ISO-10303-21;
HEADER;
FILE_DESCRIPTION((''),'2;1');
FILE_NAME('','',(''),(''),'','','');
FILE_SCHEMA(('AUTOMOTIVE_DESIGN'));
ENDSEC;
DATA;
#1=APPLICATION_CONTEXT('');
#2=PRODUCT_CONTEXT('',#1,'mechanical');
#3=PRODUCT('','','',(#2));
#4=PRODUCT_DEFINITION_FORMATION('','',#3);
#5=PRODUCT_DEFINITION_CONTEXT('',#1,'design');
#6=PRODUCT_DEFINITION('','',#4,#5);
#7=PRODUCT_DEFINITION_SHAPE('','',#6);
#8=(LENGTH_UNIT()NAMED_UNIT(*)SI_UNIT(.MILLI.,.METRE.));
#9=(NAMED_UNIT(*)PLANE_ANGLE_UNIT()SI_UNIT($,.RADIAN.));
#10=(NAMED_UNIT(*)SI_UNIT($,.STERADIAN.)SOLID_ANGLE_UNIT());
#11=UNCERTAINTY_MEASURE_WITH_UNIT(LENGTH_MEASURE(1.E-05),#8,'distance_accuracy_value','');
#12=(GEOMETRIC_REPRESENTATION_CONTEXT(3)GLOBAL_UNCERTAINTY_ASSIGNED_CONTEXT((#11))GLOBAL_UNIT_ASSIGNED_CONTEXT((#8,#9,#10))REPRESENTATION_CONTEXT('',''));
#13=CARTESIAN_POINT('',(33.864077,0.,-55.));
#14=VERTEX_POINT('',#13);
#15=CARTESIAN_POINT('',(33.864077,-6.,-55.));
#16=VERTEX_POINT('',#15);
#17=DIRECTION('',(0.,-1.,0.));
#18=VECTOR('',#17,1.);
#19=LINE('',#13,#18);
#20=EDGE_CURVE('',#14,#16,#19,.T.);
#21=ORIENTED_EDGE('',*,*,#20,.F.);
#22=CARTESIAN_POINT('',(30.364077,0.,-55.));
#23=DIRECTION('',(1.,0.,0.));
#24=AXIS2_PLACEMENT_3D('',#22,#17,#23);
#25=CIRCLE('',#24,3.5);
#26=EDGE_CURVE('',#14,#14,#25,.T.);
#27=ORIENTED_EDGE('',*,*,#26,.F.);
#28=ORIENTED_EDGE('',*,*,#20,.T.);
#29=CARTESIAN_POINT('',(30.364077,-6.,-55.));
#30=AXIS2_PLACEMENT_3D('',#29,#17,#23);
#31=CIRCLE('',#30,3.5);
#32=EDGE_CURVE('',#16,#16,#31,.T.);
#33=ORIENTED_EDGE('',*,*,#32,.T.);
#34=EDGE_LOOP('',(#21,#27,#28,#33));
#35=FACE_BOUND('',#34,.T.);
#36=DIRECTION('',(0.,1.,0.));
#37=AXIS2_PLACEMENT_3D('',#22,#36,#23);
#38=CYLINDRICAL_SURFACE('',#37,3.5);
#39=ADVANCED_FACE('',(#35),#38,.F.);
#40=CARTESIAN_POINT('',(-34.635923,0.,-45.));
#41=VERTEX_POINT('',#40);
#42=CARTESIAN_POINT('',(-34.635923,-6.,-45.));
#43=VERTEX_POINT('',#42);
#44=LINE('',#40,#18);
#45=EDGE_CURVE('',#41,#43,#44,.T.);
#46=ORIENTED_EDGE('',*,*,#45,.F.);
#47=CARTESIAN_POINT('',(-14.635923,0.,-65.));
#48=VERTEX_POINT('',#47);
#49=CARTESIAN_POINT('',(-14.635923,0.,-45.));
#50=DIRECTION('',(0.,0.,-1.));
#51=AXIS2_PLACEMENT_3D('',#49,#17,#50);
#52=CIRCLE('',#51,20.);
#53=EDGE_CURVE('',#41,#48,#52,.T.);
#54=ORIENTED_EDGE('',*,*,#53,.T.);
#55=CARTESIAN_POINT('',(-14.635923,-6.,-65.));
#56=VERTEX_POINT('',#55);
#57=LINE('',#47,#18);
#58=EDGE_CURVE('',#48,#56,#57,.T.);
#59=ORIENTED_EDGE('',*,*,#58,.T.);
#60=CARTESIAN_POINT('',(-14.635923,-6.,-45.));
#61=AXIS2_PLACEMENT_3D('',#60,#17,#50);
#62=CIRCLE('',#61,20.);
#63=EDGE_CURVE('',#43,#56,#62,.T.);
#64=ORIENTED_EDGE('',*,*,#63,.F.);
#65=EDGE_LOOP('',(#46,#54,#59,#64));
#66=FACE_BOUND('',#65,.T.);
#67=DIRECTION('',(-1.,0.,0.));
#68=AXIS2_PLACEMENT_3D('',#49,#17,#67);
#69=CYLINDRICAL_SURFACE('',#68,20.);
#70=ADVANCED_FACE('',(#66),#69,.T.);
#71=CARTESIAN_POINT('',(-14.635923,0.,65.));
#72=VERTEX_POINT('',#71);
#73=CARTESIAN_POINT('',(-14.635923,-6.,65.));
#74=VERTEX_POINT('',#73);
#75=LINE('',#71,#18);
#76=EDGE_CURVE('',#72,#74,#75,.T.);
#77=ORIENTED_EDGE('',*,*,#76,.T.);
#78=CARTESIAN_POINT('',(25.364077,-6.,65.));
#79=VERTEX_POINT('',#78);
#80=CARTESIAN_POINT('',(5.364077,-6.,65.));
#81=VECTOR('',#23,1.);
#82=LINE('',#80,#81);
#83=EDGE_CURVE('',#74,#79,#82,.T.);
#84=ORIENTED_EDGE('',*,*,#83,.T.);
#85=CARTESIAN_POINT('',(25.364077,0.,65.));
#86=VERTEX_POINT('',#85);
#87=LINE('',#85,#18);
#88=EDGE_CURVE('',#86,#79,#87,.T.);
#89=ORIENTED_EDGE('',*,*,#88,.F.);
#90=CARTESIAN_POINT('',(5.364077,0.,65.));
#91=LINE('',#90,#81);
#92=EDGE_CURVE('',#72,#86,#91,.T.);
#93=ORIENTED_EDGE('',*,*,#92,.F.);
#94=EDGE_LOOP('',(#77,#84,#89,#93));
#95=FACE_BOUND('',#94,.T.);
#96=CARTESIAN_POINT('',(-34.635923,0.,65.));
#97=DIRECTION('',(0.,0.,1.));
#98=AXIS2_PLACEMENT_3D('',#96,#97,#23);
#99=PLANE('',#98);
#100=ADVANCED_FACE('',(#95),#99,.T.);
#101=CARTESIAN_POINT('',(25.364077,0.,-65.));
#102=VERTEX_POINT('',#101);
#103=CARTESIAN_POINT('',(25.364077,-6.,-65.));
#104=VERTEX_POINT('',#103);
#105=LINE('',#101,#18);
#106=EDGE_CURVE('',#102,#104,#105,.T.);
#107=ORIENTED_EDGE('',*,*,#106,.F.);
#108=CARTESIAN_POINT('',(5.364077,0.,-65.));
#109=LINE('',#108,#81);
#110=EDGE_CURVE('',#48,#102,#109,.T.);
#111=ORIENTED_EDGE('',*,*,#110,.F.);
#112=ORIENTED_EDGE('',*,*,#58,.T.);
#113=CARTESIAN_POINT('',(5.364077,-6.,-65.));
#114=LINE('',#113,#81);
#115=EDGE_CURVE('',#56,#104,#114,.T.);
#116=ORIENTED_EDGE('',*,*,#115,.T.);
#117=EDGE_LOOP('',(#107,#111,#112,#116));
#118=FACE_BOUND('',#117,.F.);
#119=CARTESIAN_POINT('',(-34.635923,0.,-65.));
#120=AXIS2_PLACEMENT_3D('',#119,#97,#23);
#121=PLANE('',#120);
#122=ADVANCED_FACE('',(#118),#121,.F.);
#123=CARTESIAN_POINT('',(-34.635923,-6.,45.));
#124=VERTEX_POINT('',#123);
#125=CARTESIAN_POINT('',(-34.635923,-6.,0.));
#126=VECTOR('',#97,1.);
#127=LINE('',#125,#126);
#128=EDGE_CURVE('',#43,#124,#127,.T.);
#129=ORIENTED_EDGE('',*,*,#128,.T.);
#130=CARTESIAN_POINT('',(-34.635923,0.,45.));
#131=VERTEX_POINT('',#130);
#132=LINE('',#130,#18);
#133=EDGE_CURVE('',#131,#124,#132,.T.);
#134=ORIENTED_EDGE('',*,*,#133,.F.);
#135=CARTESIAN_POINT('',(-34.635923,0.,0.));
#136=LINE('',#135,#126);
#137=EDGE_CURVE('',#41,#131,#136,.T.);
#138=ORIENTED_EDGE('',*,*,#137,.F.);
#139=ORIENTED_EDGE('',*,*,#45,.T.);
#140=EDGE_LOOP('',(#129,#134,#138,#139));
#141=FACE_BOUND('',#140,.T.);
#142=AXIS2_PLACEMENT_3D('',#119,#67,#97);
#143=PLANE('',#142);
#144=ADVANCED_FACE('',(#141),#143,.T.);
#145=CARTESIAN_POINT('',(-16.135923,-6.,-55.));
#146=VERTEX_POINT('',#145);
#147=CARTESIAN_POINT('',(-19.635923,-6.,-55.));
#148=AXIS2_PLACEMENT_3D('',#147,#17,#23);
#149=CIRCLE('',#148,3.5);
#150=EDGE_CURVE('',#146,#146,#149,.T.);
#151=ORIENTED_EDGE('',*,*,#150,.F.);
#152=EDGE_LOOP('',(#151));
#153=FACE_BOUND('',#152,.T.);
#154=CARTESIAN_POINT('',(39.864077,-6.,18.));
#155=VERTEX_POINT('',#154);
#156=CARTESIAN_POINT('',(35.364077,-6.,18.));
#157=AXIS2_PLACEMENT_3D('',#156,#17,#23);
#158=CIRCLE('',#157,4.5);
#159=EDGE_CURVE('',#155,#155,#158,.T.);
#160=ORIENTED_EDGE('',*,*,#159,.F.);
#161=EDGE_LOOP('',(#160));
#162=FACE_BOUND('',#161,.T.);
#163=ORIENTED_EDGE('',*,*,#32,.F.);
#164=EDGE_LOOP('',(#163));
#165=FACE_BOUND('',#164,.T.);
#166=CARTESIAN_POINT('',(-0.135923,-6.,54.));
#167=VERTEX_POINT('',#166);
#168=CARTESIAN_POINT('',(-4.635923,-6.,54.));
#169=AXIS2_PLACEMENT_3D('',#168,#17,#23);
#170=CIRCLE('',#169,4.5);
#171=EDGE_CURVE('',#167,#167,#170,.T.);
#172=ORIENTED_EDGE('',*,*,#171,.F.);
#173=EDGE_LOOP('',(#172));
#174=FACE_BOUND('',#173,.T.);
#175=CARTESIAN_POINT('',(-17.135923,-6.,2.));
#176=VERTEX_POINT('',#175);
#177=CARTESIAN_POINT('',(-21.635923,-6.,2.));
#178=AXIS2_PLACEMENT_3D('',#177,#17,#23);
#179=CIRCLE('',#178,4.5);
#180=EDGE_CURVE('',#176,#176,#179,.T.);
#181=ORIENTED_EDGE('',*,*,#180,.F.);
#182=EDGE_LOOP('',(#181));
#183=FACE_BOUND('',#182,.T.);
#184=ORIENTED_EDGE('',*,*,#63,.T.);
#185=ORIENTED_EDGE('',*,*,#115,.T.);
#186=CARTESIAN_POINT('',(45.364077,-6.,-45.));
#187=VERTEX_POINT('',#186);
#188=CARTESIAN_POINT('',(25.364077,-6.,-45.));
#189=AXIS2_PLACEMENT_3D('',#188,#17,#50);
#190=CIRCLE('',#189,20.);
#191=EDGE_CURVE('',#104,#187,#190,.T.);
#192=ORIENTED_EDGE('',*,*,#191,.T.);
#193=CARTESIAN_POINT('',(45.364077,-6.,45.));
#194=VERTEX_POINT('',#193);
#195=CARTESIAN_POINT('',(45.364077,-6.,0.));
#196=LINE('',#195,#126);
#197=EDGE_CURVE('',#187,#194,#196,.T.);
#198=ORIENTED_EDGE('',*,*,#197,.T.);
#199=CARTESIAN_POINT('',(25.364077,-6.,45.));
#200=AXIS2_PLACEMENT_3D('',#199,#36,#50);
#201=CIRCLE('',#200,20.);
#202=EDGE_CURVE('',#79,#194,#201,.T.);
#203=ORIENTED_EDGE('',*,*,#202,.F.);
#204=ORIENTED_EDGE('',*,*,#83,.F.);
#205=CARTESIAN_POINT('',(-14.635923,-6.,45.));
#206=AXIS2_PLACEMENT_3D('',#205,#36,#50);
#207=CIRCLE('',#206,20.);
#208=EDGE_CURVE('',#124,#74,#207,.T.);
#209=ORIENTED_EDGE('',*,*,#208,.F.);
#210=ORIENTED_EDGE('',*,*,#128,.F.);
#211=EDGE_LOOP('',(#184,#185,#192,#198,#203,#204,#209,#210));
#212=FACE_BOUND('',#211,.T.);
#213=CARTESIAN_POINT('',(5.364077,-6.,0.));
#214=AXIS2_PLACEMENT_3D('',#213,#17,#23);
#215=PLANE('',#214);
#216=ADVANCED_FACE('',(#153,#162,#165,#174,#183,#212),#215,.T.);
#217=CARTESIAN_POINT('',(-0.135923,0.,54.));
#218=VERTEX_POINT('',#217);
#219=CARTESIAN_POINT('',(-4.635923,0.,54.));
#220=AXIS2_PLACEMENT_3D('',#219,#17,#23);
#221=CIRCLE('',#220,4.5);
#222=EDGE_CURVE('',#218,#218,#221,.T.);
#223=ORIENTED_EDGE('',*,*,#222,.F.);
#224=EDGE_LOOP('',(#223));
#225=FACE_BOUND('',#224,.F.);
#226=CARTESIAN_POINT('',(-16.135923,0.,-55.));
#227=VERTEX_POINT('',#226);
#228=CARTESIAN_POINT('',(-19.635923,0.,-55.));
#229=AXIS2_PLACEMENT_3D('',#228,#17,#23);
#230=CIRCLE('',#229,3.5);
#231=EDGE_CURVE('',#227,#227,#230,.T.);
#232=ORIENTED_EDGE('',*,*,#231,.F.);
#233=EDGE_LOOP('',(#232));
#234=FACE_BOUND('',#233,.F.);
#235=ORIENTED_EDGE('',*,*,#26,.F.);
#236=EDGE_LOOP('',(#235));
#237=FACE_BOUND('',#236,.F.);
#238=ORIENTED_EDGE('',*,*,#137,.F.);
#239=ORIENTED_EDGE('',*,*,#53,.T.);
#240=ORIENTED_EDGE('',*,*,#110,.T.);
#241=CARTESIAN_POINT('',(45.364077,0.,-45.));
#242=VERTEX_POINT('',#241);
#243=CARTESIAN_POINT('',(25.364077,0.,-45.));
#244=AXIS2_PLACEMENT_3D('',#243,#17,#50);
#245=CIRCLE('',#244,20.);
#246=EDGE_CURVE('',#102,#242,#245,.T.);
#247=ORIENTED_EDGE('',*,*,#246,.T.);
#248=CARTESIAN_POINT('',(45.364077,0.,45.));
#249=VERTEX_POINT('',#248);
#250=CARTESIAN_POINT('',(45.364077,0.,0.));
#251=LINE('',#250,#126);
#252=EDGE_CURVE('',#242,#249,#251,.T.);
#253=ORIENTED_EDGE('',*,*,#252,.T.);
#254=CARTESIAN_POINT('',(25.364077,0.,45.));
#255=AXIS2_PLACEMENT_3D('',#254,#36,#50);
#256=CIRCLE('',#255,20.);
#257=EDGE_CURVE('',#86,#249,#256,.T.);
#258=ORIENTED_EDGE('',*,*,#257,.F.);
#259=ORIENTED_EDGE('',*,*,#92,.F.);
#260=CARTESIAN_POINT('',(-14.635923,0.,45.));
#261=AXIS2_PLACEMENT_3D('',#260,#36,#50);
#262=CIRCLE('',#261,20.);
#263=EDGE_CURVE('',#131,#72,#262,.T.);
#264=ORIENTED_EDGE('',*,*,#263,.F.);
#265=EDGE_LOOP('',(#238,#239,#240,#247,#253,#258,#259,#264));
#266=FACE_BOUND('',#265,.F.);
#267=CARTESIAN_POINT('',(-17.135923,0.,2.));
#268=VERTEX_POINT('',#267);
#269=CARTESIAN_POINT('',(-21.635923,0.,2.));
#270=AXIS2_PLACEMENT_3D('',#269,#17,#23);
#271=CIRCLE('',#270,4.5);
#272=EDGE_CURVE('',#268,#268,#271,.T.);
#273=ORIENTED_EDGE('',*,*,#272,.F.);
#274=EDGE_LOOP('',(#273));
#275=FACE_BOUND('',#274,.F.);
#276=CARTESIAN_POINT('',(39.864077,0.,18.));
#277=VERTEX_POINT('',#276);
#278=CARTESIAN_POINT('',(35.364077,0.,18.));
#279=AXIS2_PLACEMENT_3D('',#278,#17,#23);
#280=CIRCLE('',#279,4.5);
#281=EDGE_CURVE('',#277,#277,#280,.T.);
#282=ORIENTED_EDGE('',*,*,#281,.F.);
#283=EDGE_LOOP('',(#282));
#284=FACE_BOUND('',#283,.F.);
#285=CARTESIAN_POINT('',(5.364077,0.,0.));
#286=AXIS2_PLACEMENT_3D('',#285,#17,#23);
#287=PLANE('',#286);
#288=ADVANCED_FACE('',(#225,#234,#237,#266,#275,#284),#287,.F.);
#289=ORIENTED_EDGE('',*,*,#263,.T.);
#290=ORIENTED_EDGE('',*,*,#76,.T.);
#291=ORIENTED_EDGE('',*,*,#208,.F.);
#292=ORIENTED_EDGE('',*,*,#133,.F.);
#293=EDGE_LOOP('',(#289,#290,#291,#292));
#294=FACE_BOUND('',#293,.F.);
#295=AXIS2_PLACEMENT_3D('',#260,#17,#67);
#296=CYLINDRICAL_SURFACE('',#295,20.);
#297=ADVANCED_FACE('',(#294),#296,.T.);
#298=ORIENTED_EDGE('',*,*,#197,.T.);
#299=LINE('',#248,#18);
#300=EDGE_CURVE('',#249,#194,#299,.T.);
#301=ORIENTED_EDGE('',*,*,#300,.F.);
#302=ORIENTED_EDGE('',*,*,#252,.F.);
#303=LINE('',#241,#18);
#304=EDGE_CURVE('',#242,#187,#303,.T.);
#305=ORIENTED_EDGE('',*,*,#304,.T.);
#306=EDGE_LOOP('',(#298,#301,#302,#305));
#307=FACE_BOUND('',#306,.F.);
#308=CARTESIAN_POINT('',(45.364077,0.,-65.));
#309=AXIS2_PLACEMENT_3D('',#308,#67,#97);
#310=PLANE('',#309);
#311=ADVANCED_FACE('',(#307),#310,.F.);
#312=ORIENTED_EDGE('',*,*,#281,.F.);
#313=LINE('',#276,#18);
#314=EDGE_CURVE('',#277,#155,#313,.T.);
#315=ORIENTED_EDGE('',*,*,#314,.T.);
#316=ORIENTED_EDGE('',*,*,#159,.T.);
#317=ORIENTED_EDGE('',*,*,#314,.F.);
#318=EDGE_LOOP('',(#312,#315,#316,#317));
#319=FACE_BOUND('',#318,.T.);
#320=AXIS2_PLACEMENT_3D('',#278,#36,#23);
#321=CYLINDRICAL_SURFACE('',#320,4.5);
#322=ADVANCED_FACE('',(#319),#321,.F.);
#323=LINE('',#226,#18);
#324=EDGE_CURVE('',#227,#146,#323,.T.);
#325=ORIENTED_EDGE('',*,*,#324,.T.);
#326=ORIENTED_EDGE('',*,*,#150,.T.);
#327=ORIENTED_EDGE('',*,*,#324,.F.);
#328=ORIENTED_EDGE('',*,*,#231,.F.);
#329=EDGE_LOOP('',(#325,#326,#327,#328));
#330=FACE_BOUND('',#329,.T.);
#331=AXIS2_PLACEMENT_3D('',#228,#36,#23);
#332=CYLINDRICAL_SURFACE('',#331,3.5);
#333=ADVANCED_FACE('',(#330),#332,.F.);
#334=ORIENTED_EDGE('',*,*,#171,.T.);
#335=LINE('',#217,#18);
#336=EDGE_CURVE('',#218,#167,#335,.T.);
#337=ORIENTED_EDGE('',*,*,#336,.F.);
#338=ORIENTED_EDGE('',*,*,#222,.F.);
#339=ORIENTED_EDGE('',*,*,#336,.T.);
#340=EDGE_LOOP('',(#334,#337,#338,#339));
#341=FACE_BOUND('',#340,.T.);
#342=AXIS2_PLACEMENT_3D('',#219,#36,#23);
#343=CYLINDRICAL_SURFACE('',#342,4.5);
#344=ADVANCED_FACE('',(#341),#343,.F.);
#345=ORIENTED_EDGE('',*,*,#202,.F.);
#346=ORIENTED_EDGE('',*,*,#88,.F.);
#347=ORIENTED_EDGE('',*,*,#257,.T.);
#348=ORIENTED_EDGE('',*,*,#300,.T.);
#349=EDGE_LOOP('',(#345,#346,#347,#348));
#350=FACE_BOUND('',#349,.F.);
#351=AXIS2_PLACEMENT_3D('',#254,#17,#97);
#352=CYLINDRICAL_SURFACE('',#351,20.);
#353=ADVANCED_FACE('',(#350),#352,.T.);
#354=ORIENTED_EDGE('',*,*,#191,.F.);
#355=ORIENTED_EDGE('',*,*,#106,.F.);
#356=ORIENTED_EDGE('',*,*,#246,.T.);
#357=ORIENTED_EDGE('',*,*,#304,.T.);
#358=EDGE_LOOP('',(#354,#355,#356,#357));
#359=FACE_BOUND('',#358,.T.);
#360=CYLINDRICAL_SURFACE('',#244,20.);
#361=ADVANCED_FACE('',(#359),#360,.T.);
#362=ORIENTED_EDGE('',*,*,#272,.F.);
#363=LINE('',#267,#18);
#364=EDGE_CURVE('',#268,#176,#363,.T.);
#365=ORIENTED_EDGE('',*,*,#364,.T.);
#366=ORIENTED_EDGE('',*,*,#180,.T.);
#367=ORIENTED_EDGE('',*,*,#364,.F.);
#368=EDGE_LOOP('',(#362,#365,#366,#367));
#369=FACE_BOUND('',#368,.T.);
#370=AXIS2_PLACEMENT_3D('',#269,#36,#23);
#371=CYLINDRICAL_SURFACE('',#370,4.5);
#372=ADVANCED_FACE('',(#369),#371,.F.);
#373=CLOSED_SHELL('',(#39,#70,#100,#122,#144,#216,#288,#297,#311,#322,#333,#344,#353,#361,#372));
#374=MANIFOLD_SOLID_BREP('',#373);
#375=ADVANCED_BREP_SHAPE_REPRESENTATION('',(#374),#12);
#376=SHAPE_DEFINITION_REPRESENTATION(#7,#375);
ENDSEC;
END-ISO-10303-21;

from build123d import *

# Parameters (mm, degrees)
F0_W     = 80
F0_H     = 130
F0_R     = 3.5
F0_R_2   = 4.5
F1_DEPTH = 6
F2_R     = 20


with BuildPart() as f1:
    # F0 (on Front) → F1 (new body)
    with BuildSketch(Plane.XZ):
        with Locations((5.364077, 0)):
            Rectangle(F0_W, F0_H)
        with Locations((-19.635923, -55)):
            Circle(F0_R, mode=Mode.SUBTRACT)
        with Locations((30.364077, -55)):
            Circle(F0_R, mode=Mode.SUBTRACT)
        with Locations((-21.635923, 2)):
            Circle(F0_R_2, mode=Mode.SUBTRACT)
        with Locations((-4.635923, 54)):
            Circle(F0_R_2, mode=Mode.SUBTRACT)
        with Locations((35.364077, 18)):
            Circle(F0_R_2, mode=Mode.SUBTRACT)
    extrude(amount=F1_DEPTH)

    # F2
    f2_edges = [f1.edges().sort_by_distance(p)[0] for p in [
        (45.364077, -3, 65),
        (-34.635923, -3, 65),
        (-34.635923, -3, -65),
        (45.364077, -3, -65),
    ]]
    fillet(f2_edges, radius=F2_R)


solid = f1.part
